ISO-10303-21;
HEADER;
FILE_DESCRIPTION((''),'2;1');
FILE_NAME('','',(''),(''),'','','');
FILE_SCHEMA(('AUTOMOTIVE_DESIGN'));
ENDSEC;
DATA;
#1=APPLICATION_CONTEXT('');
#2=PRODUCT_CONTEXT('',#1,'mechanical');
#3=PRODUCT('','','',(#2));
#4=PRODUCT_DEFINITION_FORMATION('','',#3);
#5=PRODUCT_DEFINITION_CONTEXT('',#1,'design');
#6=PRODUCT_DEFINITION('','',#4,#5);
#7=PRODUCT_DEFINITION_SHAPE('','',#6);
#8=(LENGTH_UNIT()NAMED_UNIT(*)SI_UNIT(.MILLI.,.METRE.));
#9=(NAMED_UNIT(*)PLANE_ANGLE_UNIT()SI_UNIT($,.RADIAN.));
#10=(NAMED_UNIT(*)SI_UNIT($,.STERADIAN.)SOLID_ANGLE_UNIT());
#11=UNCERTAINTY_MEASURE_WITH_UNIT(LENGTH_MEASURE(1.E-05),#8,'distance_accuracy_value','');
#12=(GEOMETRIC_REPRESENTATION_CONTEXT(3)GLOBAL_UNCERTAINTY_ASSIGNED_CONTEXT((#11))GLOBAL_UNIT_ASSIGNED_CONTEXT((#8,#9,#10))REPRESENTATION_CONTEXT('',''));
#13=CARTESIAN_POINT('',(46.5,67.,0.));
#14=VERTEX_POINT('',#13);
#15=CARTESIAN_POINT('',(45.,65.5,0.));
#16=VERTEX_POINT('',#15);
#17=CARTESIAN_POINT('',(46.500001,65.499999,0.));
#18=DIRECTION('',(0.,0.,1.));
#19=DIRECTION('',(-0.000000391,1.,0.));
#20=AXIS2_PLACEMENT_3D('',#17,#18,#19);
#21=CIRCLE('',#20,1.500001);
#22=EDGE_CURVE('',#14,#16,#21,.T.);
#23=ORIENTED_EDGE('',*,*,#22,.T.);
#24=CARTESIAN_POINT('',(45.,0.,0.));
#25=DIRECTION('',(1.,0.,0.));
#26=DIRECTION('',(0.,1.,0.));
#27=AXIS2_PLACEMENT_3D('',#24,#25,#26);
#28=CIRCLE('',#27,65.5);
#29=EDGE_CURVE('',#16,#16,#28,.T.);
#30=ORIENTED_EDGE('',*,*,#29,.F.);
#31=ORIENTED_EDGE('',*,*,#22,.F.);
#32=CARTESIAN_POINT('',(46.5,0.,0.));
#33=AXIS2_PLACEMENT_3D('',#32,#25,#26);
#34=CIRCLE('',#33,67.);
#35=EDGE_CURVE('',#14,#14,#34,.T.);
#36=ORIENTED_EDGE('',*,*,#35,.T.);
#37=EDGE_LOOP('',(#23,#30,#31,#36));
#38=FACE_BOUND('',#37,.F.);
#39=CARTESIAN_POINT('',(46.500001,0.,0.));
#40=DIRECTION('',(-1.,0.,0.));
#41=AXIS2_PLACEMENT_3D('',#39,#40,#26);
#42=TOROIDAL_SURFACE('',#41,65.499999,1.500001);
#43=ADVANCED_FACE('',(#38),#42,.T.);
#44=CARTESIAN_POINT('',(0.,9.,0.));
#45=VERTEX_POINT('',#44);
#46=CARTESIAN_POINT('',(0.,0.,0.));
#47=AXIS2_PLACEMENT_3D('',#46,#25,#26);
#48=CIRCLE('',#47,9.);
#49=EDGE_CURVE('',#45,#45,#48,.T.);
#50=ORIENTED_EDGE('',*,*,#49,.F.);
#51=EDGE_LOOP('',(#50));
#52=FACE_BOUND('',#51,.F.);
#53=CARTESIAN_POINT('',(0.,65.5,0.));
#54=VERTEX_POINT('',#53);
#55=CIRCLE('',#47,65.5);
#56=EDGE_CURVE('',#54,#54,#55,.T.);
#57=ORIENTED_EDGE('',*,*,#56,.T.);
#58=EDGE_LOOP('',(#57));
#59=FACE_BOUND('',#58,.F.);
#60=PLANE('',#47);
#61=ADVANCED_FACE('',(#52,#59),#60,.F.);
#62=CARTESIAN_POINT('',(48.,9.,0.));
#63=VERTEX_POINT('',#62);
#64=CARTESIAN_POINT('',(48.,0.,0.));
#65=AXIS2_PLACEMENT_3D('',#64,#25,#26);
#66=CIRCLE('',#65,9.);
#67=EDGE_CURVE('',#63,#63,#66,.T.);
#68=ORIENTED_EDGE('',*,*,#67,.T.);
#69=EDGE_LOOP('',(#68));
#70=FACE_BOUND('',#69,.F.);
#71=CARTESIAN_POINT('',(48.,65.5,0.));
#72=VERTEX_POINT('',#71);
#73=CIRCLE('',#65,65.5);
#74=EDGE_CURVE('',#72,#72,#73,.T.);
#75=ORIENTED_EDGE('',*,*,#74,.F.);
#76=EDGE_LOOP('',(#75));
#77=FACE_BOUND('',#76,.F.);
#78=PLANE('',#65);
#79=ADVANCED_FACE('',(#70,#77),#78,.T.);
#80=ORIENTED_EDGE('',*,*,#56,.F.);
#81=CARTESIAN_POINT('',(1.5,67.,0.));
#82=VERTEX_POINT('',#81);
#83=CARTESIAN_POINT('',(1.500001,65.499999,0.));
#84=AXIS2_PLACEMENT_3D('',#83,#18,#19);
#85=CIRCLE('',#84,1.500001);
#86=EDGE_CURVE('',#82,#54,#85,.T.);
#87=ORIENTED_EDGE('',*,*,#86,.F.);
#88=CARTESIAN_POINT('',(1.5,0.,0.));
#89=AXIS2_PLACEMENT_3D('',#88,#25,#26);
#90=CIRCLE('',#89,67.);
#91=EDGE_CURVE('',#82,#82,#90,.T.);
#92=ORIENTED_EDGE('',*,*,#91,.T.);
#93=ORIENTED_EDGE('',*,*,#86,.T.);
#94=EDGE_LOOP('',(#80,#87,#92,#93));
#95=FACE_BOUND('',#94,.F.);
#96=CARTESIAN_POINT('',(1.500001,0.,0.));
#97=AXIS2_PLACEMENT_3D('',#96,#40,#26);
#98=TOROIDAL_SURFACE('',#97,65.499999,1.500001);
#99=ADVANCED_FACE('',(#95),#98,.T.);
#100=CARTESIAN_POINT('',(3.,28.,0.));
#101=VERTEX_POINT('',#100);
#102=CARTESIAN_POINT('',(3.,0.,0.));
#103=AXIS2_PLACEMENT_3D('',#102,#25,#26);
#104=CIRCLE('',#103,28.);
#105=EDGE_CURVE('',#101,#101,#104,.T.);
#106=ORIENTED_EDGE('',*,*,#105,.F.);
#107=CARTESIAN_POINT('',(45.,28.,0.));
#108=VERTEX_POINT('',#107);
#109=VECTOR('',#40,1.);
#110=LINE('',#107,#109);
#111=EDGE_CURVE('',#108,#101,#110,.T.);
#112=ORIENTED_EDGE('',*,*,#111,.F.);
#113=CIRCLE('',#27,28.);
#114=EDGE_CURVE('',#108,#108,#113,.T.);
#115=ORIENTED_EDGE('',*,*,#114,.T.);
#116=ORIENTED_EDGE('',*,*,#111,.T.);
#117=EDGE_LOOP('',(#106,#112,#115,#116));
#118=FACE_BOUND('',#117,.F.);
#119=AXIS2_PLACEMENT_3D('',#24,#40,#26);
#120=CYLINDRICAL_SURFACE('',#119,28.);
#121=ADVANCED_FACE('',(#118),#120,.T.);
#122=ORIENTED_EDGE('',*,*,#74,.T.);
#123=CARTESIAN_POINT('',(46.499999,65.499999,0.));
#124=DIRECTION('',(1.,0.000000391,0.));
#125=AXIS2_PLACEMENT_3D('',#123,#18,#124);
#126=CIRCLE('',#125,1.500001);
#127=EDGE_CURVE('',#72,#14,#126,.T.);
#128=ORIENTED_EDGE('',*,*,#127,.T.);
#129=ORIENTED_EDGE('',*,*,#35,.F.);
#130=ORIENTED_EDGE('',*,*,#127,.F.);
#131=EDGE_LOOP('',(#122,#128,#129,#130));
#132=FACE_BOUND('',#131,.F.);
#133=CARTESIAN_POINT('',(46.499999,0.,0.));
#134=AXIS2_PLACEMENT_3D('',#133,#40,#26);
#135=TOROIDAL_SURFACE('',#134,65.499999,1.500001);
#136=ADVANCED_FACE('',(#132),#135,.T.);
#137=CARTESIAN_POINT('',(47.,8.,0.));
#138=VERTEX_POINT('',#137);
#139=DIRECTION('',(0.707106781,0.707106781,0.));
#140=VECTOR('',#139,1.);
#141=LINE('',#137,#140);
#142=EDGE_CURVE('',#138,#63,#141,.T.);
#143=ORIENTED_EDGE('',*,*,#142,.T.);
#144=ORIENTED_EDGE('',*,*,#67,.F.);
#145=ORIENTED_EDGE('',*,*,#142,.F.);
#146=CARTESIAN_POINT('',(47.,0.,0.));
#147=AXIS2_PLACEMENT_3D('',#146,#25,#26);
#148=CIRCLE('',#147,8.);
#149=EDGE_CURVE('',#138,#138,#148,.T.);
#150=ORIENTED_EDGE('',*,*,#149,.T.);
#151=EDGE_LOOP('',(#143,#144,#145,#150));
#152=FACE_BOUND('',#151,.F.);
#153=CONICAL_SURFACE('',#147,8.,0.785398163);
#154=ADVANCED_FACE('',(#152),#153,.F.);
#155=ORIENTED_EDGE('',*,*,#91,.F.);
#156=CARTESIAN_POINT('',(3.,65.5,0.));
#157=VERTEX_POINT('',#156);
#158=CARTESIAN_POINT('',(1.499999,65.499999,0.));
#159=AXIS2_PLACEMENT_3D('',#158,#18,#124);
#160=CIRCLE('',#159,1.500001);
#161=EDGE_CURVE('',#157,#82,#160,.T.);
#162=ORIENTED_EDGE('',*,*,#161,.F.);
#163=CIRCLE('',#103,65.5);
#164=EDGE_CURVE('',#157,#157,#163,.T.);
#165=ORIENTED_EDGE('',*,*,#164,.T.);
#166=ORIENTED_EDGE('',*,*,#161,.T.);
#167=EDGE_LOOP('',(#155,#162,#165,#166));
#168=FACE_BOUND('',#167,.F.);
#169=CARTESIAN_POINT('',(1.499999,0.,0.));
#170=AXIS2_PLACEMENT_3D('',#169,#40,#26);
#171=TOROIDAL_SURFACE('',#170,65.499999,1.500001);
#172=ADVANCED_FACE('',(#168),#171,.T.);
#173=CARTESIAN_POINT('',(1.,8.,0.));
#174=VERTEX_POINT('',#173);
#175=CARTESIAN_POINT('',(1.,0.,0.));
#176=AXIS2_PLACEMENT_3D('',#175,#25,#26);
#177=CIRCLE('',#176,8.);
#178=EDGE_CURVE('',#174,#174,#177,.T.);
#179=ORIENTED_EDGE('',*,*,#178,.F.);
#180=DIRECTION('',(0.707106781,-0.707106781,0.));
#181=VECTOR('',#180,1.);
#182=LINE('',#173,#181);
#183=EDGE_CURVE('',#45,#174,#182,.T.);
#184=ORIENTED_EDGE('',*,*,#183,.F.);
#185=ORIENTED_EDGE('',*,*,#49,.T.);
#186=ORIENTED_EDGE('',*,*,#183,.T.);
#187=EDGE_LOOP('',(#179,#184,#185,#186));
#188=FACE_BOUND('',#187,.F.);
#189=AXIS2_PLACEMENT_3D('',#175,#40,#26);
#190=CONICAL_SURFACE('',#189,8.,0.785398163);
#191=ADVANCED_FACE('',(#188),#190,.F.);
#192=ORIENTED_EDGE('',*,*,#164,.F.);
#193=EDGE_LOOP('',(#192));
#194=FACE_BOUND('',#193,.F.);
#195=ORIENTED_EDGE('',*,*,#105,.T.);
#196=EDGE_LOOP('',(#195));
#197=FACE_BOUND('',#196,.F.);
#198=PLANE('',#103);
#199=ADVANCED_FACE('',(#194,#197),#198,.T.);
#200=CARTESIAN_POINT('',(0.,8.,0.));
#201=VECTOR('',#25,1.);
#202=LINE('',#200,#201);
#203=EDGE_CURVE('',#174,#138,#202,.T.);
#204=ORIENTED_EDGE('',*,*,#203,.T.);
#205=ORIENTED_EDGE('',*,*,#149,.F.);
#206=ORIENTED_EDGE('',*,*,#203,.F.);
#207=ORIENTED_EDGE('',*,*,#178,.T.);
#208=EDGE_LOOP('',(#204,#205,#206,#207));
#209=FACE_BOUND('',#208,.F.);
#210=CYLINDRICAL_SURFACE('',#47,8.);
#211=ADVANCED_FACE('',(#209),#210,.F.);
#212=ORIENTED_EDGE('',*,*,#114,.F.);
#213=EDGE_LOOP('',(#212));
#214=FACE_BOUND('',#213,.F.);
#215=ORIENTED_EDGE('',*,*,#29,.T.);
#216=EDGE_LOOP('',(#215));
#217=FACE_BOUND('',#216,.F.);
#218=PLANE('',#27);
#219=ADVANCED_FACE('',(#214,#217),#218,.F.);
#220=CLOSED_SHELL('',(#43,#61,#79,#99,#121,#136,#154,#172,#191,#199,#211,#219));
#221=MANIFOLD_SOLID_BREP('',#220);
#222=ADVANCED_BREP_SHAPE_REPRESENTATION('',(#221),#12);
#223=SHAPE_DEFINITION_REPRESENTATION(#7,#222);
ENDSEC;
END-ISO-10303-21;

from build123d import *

# Parameters (mm, degrees)
F2_SIZE = 1


with BuildPart() as f1:
    # F0 (on Top) → F1 (revolve)
    with BuildSketch(Plane.XY):
        with BuildLine():
            Line((0, 65.5), (0, 8))
            Line((0, 8), (48, 8))
            Line((48, 8), (48, 65.5))
            ThreePointArc((48, 65.5), (47.56066, 66.56066), (46.5, 67))
            ThreePointArc((46.5, 67), (45.43934, 66.56066), (45, 65.5))
            Line((45, 65.5), (45, 28))
            Line((45, 28), (3, 28))
            Line((3, 28), (3, 65.5))
            ThreePointArc((3, 65.5), (2.56066, 66.56066), (1.5, 67))
            ThreePointArc((1.5, 67), (0.43934, 66.56066), (0, 65.5))
        make_face()
    revolve(axis=Axis((24, 0, 0), (1, 0, 0)))

    # F2
    f2_edges = [f1.edges().sort_by_distance(p)[0] for p in [
        (0, -8, 0),
        (48, -8, 0),
    ]]
    chamfer(f2_edges, length=F2_SIZE)


solid = f1.part
